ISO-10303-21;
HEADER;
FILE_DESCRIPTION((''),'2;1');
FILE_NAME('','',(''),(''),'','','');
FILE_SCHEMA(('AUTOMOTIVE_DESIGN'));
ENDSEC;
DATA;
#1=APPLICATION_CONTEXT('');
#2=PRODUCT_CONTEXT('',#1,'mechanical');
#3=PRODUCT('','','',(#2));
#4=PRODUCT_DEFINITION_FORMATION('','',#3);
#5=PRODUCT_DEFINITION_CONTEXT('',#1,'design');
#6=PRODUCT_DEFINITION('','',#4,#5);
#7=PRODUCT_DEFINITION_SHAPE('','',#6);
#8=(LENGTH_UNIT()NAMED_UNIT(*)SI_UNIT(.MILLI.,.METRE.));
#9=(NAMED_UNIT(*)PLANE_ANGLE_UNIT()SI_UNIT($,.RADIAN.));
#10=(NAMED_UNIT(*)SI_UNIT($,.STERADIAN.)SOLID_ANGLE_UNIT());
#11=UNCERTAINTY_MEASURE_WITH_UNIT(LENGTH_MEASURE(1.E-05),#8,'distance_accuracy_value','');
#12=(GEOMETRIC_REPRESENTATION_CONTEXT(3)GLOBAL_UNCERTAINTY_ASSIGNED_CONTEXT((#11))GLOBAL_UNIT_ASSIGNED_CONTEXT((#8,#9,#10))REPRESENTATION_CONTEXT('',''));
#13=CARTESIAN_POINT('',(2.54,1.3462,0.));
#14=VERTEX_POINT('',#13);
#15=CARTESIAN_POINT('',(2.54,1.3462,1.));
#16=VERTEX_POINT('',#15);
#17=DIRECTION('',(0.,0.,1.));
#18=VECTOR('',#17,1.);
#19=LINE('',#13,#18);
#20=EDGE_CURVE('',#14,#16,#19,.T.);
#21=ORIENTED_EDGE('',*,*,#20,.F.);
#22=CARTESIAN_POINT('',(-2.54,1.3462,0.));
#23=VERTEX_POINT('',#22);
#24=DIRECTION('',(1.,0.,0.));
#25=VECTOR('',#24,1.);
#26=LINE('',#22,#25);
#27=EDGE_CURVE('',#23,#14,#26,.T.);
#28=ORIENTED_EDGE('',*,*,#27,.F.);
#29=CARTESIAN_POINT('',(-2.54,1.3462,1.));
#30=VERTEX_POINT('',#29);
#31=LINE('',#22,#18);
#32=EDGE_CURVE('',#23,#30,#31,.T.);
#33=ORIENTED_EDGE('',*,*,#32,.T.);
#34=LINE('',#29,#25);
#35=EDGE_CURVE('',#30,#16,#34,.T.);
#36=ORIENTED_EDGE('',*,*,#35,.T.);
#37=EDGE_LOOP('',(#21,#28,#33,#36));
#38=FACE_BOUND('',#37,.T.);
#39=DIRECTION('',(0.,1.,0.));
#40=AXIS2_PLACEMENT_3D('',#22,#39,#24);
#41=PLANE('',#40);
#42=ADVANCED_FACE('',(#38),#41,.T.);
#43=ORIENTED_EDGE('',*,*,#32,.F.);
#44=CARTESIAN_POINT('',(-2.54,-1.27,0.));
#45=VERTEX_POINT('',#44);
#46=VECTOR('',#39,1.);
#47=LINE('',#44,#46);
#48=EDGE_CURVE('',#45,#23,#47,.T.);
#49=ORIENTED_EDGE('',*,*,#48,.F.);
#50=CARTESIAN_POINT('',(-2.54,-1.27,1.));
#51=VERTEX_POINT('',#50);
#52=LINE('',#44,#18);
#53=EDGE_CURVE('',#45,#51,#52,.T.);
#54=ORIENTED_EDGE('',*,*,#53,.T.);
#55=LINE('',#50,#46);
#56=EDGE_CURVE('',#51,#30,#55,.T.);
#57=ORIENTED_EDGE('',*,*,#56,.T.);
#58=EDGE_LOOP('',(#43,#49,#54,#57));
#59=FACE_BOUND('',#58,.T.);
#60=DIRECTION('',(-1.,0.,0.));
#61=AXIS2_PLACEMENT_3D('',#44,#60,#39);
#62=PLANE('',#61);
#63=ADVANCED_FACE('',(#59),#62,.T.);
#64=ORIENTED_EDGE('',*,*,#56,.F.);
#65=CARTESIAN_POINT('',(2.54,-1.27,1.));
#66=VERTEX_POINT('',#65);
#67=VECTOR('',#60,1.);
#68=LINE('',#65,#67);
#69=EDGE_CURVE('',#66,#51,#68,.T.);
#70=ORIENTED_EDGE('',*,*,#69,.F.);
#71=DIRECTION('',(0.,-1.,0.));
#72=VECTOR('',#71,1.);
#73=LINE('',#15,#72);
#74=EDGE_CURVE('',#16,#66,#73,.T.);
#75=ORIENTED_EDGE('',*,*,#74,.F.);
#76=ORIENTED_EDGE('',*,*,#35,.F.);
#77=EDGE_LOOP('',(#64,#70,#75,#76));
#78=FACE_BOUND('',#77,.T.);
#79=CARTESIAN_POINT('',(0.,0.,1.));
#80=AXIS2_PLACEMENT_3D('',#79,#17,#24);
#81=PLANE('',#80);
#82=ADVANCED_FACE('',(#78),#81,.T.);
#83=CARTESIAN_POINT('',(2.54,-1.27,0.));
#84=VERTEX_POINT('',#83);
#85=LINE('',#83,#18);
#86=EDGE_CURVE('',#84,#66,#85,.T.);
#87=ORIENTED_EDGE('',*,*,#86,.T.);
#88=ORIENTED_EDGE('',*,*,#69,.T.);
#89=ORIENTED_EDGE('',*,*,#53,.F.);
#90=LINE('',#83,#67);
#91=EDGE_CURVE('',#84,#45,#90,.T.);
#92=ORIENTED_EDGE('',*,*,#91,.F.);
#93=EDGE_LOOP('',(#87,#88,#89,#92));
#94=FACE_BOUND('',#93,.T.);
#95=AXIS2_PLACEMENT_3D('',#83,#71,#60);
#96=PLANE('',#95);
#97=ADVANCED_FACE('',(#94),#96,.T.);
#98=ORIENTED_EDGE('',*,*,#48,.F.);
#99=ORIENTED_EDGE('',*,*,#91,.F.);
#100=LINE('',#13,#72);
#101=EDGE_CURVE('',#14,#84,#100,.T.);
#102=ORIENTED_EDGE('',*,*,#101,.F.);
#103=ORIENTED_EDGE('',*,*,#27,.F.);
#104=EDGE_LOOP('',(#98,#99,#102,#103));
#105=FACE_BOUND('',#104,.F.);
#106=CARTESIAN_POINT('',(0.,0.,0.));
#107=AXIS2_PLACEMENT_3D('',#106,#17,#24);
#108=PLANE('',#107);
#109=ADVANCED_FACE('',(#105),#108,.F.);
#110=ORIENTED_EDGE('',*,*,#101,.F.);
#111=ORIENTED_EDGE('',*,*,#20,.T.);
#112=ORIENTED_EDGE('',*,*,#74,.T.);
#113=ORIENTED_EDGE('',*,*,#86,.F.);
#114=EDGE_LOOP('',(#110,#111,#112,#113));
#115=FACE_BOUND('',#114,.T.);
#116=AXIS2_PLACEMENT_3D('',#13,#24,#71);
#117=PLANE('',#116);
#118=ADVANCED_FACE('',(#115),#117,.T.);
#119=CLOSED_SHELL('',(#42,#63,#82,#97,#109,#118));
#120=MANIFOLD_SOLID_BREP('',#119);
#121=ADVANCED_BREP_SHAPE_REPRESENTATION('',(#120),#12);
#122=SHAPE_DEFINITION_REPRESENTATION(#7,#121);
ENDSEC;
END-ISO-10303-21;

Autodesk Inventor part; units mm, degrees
ref_plane "YZ Plane" through (0, 0, 0) normal (1, 0, 0) x (0, 1, 0)
ref_plane "XZ Plane" through (0, 0, 0) normal (0, 1, 0) x (-1, 0, 0)
ref_plane "XY Plane" through (0, 0, 0) normal (0, 0, 1) x (1, 0, 0)
sketch "1X02, 1X02_43" plane through (0, 0, 0) normal (0, 0, 1) x (1, 0, 0)
  line L0 (-2.54, 1.3462) -> (2.54, 1.3462)
  line L1 (2.54, 1.3462) -> (2.54, -1.27)
  line L2 (2.54, -1.27) -> (-2.54, -1.27)
  line L3 (-2.54, -1.27) -> (-2.54, 1.3462)
extrude "Extrusion1" add sketch "1X02, 1X02_43" along normal blind 1
properties part number "1X02"
